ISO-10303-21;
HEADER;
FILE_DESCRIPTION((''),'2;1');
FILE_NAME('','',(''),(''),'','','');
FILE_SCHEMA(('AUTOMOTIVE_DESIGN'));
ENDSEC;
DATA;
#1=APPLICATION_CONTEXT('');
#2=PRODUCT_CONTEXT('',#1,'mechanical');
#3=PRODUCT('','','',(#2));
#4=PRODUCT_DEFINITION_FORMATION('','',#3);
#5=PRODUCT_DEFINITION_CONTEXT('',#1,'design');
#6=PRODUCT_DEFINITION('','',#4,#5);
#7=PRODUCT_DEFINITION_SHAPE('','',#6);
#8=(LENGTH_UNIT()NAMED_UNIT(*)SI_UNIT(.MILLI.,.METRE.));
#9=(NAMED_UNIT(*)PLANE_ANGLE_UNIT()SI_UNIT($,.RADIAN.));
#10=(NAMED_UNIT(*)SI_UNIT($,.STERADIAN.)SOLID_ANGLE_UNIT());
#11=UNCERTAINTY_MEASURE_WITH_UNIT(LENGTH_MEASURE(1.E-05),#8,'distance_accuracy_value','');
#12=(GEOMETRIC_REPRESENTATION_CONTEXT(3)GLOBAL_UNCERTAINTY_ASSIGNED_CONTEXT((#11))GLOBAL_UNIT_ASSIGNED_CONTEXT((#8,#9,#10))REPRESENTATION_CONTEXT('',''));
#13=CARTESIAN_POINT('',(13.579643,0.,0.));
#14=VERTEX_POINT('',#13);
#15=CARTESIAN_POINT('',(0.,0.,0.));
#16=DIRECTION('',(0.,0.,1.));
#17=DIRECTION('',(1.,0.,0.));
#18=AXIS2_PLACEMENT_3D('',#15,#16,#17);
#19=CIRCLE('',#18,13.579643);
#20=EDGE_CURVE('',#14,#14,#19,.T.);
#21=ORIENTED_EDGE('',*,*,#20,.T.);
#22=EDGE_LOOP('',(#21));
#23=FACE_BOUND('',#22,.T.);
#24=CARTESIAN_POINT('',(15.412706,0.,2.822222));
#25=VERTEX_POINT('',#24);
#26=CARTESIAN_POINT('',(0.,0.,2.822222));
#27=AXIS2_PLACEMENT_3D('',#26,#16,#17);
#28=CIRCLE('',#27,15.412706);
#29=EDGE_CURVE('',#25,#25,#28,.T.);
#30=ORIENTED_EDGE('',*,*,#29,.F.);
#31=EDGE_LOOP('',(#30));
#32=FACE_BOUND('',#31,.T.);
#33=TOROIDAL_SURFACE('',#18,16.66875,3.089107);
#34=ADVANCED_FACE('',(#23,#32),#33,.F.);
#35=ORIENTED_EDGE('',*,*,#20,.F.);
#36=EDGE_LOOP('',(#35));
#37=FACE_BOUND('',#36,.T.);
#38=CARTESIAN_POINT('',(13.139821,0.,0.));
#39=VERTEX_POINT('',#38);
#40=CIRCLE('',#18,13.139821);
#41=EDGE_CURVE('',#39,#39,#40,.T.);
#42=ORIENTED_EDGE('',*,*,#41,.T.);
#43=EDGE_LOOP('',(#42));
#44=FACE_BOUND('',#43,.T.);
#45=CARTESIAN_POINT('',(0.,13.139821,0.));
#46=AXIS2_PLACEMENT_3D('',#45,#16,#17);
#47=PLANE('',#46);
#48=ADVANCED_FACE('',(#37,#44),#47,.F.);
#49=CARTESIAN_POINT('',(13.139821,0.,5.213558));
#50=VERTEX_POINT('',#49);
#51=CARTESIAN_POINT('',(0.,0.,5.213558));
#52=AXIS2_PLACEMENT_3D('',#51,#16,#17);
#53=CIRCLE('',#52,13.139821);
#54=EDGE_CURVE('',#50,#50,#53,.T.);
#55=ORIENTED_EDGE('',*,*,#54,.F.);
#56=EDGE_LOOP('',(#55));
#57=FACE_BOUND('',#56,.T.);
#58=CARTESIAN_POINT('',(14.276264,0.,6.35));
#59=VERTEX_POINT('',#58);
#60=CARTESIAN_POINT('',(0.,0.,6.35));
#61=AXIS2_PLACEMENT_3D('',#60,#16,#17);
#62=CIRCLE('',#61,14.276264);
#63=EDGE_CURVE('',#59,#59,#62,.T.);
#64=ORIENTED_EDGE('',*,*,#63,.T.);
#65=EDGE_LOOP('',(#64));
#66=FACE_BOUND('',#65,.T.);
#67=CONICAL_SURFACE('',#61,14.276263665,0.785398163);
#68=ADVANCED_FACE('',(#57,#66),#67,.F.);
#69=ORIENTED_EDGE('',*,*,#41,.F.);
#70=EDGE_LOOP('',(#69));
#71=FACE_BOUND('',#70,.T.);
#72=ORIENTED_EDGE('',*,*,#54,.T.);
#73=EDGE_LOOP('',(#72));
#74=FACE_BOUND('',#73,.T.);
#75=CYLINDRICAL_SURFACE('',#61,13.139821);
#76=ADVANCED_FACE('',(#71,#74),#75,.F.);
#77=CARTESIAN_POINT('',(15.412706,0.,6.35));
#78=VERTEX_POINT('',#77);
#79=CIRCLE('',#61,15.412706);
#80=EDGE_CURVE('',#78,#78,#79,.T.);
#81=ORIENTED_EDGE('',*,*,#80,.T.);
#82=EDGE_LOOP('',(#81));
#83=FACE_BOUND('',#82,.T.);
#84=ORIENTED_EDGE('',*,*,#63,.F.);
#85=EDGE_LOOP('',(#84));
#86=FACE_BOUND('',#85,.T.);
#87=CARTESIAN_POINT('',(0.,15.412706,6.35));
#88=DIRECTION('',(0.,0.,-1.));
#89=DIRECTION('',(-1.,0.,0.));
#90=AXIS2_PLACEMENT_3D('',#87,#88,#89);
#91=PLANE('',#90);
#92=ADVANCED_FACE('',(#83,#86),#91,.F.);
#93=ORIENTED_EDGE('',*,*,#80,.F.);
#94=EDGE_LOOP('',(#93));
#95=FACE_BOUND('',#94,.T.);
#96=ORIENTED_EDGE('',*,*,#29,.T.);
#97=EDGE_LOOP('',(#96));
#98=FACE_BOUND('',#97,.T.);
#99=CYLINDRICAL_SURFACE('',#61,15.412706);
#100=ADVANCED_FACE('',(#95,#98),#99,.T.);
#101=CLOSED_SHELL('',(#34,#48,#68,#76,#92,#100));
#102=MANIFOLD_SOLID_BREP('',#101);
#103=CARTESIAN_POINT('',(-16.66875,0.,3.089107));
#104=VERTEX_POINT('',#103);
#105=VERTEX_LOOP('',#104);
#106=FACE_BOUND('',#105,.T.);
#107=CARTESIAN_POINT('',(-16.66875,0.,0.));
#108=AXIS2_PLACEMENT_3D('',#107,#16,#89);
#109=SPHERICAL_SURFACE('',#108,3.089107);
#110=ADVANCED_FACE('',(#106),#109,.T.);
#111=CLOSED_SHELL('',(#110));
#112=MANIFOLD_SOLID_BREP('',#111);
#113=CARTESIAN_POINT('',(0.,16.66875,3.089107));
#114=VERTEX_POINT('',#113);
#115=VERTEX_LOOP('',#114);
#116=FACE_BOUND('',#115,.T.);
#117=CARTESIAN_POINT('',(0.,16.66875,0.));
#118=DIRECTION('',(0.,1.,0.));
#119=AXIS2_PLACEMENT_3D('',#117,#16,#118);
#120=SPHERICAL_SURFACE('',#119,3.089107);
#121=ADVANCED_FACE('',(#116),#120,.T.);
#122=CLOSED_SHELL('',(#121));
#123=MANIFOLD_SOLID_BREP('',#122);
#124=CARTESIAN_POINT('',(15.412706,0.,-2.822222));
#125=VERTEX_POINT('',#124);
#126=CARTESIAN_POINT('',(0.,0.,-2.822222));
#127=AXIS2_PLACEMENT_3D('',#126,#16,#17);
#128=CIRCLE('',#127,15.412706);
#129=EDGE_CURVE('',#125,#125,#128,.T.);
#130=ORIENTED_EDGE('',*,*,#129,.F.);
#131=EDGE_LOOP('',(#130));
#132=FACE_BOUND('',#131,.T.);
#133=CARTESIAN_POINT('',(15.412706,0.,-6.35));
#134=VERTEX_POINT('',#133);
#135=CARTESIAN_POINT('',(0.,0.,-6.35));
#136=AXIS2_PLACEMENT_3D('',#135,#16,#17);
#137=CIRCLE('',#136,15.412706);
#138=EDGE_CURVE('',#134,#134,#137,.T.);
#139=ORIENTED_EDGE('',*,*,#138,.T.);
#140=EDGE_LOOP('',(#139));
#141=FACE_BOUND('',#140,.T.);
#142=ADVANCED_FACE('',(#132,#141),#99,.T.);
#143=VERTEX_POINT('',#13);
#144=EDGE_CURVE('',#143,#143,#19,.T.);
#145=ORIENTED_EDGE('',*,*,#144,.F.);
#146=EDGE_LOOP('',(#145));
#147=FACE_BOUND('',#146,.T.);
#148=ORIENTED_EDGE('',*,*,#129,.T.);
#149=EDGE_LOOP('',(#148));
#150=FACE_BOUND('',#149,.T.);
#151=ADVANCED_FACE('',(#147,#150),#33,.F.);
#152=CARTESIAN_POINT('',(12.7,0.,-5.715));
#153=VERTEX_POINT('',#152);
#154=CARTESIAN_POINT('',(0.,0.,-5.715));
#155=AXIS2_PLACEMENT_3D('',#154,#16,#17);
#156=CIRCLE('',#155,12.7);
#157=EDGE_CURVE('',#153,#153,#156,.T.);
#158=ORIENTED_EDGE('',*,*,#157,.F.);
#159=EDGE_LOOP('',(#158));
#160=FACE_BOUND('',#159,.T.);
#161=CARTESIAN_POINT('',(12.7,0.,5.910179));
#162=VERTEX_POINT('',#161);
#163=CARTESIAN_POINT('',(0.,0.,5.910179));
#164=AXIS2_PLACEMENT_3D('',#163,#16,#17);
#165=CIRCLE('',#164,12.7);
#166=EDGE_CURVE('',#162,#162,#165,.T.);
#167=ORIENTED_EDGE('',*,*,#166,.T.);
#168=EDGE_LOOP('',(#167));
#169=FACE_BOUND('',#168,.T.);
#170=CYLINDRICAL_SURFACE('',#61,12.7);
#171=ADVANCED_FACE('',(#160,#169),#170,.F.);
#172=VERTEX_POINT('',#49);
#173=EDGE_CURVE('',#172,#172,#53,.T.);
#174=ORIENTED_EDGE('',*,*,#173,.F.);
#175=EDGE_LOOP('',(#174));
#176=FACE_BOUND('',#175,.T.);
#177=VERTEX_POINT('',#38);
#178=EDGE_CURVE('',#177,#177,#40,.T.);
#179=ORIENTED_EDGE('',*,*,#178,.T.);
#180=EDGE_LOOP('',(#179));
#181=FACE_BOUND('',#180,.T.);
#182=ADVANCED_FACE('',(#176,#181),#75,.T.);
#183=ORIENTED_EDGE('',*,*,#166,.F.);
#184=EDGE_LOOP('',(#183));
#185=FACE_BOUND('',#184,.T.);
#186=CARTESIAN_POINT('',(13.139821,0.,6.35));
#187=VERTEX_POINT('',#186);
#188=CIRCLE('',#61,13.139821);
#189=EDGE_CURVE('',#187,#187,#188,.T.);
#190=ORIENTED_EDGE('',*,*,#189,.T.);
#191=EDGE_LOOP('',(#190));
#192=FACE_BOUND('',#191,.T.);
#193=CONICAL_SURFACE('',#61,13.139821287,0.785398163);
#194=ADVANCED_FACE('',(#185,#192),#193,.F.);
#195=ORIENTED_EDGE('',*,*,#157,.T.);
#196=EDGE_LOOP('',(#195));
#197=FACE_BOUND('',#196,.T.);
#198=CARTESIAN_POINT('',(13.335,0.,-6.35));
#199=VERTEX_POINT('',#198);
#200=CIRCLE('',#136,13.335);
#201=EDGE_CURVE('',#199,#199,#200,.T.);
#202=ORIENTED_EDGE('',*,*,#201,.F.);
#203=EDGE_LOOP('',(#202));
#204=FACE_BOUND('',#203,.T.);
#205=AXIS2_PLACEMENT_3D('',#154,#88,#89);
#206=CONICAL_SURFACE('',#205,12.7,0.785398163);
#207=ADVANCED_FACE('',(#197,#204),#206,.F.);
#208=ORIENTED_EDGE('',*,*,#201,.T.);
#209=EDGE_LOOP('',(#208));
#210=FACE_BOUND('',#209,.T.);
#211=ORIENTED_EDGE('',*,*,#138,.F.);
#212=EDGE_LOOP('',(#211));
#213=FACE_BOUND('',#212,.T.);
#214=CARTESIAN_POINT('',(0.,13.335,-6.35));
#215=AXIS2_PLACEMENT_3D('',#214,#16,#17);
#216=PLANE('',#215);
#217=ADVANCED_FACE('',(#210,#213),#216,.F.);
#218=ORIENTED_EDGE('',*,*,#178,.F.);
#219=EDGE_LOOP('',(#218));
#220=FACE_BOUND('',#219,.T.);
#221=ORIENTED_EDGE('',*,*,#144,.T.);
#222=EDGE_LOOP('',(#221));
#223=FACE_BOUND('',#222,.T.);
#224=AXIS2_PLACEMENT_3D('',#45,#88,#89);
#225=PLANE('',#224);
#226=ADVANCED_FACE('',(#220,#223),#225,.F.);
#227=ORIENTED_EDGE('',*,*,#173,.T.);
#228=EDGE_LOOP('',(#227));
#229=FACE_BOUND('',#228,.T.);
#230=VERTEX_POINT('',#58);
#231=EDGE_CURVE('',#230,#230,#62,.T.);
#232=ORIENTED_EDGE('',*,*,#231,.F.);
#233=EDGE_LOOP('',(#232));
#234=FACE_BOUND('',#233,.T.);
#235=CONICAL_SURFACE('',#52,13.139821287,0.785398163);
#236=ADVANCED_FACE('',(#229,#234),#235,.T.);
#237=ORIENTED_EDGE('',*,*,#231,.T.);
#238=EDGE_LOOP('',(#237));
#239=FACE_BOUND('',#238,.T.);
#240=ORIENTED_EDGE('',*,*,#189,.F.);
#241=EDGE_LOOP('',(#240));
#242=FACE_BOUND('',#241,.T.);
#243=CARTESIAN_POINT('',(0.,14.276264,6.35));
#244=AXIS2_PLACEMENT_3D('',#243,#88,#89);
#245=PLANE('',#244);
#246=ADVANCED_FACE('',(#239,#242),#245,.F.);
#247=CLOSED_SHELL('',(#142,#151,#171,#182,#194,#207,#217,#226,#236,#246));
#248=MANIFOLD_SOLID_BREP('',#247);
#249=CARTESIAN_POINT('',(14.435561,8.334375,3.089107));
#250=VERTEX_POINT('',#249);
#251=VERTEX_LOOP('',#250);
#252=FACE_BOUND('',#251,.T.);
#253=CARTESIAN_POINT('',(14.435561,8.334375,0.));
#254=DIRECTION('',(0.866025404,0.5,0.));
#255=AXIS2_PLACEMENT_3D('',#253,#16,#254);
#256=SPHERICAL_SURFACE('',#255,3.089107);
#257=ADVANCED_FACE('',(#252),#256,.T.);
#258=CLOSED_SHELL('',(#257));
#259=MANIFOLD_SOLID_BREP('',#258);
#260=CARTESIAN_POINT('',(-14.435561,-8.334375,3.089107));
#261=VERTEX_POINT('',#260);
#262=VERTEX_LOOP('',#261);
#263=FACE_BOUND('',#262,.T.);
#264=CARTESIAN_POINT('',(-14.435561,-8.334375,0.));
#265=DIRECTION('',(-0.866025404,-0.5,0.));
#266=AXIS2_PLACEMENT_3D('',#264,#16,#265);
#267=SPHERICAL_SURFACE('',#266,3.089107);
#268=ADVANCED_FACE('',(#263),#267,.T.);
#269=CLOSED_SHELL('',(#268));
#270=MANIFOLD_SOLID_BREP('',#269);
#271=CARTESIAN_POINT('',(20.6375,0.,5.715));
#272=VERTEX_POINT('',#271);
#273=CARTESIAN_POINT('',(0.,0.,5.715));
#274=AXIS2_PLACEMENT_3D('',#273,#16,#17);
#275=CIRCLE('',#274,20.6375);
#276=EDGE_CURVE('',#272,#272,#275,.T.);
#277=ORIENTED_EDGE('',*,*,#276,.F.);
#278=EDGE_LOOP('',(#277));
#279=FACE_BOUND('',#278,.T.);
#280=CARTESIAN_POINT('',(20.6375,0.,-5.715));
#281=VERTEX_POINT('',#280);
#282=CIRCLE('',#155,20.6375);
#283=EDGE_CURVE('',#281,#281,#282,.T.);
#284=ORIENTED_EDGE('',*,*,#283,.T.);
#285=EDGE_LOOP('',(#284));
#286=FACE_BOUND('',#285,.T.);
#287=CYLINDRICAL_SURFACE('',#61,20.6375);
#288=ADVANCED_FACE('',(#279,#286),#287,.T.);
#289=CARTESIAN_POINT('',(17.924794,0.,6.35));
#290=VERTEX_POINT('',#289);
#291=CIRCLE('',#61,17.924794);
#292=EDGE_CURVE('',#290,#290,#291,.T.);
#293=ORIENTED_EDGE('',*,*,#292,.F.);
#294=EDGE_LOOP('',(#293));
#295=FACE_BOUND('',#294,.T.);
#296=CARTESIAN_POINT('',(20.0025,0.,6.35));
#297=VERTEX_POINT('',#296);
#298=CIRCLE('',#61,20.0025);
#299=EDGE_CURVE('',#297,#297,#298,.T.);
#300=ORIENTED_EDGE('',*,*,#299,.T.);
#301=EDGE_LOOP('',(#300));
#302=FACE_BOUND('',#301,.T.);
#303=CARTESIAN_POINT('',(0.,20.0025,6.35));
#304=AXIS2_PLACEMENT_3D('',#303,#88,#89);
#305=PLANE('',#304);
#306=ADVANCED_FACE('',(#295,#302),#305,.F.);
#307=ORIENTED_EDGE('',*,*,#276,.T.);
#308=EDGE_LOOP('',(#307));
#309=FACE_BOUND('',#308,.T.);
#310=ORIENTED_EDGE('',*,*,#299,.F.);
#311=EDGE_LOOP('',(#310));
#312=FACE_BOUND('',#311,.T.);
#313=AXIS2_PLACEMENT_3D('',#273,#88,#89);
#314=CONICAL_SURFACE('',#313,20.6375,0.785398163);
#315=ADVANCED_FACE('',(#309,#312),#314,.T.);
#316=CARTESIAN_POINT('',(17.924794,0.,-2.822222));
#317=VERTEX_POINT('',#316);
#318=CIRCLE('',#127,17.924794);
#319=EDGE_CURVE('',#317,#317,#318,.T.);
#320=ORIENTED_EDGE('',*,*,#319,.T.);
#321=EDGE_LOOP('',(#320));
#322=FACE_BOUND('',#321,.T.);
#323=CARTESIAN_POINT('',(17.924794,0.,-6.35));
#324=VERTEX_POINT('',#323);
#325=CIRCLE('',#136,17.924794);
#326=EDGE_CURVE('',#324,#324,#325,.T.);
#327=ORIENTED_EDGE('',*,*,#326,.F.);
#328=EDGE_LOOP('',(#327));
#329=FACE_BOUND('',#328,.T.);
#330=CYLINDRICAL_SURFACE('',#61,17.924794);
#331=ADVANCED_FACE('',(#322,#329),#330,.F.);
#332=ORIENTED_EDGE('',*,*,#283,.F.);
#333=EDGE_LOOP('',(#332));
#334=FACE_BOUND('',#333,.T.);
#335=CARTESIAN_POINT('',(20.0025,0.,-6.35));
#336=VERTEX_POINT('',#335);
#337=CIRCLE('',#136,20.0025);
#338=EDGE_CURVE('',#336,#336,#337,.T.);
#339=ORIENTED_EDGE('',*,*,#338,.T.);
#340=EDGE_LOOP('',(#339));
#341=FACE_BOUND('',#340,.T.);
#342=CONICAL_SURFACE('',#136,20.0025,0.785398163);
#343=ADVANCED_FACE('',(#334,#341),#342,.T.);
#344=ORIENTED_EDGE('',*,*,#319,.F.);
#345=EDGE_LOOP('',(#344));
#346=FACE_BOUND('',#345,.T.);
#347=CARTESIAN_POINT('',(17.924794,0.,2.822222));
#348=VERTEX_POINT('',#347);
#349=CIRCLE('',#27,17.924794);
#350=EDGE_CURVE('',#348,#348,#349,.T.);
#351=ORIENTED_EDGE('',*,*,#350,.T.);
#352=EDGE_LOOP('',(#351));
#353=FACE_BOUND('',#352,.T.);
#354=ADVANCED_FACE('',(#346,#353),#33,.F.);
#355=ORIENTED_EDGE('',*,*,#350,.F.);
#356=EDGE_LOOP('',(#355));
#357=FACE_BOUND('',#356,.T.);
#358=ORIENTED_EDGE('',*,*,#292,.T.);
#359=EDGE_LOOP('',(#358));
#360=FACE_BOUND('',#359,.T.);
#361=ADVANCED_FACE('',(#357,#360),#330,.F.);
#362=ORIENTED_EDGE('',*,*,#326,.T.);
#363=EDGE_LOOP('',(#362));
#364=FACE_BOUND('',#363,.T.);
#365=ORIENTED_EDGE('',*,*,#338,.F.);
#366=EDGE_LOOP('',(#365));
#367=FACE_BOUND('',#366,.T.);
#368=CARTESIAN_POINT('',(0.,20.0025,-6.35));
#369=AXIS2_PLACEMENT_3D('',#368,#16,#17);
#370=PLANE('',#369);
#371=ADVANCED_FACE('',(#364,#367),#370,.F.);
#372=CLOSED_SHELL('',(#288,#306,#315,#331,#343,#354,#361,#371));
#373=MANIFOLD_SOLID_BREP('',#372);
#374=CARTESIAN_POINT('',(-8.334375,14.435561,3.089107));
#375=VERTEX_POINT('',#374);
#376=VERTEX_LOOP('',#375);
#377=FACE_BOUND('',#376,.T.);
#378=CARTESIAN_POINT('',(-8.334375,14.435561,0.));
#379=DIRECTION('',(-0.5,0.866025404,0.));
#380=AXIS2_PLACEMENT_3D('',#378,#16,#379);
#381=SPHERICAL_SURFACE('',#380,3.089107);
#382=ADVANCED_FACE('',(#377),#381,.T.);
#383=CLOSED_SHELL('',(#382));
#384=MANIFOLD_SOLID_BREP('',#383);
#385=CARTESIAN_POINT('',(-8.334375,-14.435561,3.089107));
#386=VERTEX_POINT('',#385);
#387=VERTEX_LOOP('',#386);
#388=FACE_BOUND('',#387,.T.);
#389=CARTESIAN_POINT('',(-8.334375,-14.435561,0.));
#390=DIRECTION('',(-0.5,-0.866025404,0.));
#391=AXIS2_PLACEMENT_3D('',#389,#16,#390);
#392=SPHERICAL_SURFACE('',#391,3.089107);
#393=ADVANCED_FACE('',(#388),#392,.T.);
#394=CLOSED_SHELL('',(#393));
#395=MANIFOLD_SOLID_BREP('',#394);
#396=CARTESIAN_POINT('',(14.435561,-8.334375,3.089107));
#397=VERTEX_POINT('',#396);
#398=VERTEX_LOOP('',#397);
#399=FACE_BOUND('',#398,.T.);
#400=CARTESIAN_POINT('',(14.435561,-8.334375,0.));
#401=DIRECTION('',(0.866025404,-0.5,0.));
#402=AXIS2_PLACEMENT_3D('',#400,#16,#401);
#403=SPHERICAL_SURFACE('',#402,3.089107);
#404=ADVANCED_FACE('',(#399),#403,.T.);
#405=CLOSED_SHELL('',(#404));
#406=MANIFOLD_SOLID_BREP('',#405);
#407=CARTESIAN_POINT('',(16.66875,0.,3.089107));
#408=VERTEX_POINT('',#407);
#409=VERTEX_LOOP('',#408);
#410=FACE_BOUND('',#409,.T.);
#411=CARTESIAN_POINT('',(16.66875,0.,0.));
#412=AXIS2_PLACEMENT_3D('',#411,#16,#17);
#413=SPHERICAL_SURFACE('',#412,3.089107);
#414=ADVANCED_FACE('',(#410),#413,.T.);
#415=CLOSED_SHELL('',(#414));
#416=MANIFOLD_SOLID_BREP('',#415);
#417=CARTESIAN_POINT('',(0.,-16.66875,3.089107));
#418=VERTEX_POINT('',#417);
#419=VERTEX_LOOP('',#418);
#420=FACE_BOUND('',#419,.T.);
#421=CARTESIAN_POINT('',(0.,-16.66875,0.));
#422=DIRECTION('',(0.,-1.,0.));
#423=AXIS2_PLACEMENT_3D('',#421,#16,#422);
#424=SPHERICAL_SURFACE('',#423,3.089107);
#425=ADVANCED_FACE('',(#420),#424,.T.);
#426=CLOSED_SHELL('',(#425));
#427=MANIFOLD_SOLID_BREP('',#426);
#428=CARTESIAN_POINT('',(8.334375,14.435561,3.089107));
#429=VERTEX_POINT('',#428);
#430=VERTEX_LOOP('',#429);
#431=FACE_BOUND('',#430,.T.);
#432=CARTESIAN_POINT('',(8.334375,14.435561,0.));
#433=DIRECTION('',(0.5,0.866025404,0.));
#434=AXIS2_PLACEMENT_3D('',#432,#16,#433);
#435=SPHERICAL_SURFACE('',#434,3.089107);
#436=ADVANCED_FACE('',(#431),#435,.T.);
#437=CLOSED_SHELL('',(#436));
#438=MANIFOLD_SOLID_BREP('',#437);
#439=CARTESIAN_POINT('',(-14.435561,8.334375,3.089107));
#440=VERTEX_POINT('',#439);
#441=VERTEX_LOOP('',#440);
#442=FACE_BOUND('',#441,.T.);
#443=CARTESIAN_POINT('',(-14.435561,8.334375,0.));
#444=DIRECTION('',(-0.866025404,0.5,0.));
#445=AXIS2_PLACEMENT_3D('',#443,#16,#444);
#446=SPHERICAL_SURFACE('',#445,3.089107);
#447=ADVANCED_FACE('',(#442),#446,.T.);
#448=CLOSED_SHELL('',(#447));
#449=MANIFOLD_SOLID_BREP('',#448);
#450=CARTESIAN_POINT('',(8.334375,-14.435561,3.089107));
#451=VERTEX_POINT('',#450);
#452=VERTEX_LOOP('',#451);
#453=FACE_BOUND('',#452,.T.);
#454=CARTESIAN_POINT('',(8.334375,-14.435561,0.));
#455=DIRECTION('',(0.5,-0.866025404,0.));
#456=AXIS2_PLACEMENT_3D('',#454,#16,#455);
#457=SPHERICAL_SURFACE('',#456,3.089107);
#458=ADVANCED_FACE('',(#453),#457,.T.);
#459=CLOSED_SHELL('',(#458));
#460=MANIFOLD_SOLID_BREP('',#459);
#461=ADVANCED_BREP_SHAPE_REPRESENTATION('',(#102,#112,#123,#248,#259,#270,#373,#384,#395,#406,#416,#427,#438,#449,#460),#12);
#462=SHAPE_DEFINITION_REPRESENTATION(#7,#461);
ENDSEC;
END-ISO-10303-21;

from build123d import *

# Parameters (mm, degrees)
CIRPATTERN1_COUNT = 12


with BuildPart() as part:
    # Sketch1 → Revolve1 (revolve)
    with BuildSketch(Plane(origin=(0, 0, 0), x_dir=(0, 0, -1), z_dir=(1, 0, 0))):
        with BuildLine():
            Line((5.715, 20.6375), (-5.715, 20.6375))
            Line((-5.715, 20.6375), (-6.35, 20.0025))
            Line((-6.35, 20.0025), (-6.35, 17.924793956))
            Line((-6.35, 17.924793956), (-2.822222222, 17.924793956))
            ThreePointArc((-2.822222222, 17.924793956), (0, 19.757857426), (2.822222222, 17.924793956))
            Line((2.822222222, 17.924793956), (6.35, 17.924793956))
            Line((6.35, 17.924793956), (6.35, 20.0025))
            Line((6.35, 20.0025), (5.715, 20.6375))
        make_face()
    revolve(axis=Axis((0, 0, 6.35), (0, 0, -1)))


with BuildPart() as body_2:
    # Sketch2 → Revolve2 (revolve)
    with BuildSketch(Plane(origin=(0, 0, 0), x_dir=(0, 0, -1), z_dir=(1, 0, 0))):
        with BuildLine():
            Line((-6.35, 15.412706044), (-2.822222222, 15.412706044))
            ThreePointArc((-2.822222222, 15.412706044), (-1.682636321, 14.078128511), (0, 13.579642574))
            Line((0, 13.579642574), (0, 13.139821287))
            Line((0, 13.139821287), (-5.213557621, 13.139821287))
            Line((-5.213557621, 13.139821287), (-6.35, 14.276263665))
            Line((-6.35, 14.276263665), (-6.35, 15.412706044))
        make_face()
    revolve(axis=Axis((0, 0, 6.35), (0, 0, -1)))


with BuildPart() as body_3:
    # Sketch3 → Revolve3 (revolve)
    with BuildSketch(Plane(origin=(0, 0, 0), x_dir=(0, 0, -1), z_dir=(1, 0, 0))):
        with BuildLine():
            Line((-6.35, 14.276263665), (-5.213557621, 13.139821287))
            Line((-5.213557621, 13.139821287), (0, 13.139821287))
            Line((0, 13.139821287), (0, 13.579642574))
            ThreePointArc((0, 13.579642574), (1.682636321, 14.078128511), (2.822222222, 15.412706044))
            Line((2.822222222, 15.412706044), (6.35, 15.412706044))
            Line((6.35, 15.412706044), (6.35, 13.335))
            Line((6.35, 13.335), (5.715, 12.7))
            Line((5.715, 12.7), (-5.910178713, 12.7))
            Line((-5.910178713, 12.7), (-6.35, 13.139821287))
            Line((-6.35, 13.139821287), (-6.35, 14.276263665))
        make_face()
    revolve(axis=Axis((0, 0, 6.35), (0, 0, -1)))


with BuildPart() as body_4:
    # Sketch4 → Revolve4 (revolve)
    with BuildSketch(Plane(origin=(0, 0, 0), x_dir=(0, 0, -1), z_dir=(1, 0, 0))):
        with BuildLine():
            Line((-3.089107426, 16.66875), (3.089107426, 16.66875))
            ThreePointArc((3.089107426, 16.66875), (0, 19.757857426), (-3.089107426, 16.66875))
        make_face()
    revolve(axis=Axis((0, 16.66875, 3.089107426), (0, 0, -1)))


with BuildPart() as cirpattern1_1:
    # CirPattern1: pattern copy
    add(body_4.part.rotate(Axis((0, 0, -6.35), (0, 0, 1)), 1 * 360 / CIRPATTERN1_COUNT))


with BuildPart() as cirpattern1_2:
    # CirPattern1: pattern copy
    add(body_4.part.rotate(Axis((0, 0, -6.35), (0, 0, 1)), 2 * 360 / CIRPATTERN1_COUNT))


with BuildPart() as cirpattern1_3:
    # CirPattern1: pattern copy
    add(body_4.part.rotate(Axis((0, 0, -6.35), (0, 0, 1)), 3 * 360 / CIRPATTERN1_COUNT))


with BuildPart() as cirpattern1_4:
    # CirPattern1: pattern copy
    add(body_4.part.rotate(Axis((0, 0, -6.35), (0, 0, 1)), 4 * 360 / CIRPATTERN1_COUNT))


with BuildPart() as cirpattern1_5:
    # CirPattern1: pattern copy
    add(body_4.part.rotate(Axis((0, 0, -6.35), (0, 0, 1)), 5 * 360 / CIRPATTERN1_COUNT))


with BuildPart() as cirpattern1_6:
    # CirPattern1: pattern copy
    add(body_4.part.rotate(Axis((0, 0, -6.35), (0, 0, 1)), 6 * 360 / CIRPATTERN1_COUNT))


with BuildPart() as cirpattern1_7:
    # CirPattern1: pattern copy
    add(body_4.part.rotate(Axis((0, 0, -6.35), (0, 0, 1)), 7 * 360 / CIRPATTERN1_COUNT))


with BuildPart() as cirpattern1_8:
    # CirPattern1: pattern copy
    add(body_4.part.rotate(Axis((0, 0, -6.35), (0, 0, 1)), 8 * 360 / CIRPATTERN1_COUNT))


with BuildPart() as cirpattern1_9:
    # CirPattern1: pattern copy
    add(body_4.part.rotate(Axis((0, 0, -6.35), (0, 0, 1)), 9 * 360 / CIRPATTERN1_COUNT))


with BuildPart() as cirpattern1_10:
    # CirPattern1: pattern copy
    add(body_4.part.rotate(Axis((0, 0, -6.35), (0, 0, 1)), 10 * 360 / CIRPATTERN1_COUNT))


with BuildPart() as cirpattern1_11:
    # CirPattern1: pattern copy
    add(body_4.part.rotate(Axis((0, 0, -6.35), (0, 0, 1)), 11 * 360 / CIRPATTERN1_COUNT))


solid = Compound([part.part, body_2.part, body_3.part, body_4.part, cirpattern1_1.part, cirpattern1_2.part, cirpattern1_3.part, cirpattern1_4.part, cirpattern1_5.part, cirpattern1_6.part, cirpattern1_7.part, cirpattern1_8.part, cirpattern1_9.part, cirpattern1_10.part, cirpattern1_11.part])
